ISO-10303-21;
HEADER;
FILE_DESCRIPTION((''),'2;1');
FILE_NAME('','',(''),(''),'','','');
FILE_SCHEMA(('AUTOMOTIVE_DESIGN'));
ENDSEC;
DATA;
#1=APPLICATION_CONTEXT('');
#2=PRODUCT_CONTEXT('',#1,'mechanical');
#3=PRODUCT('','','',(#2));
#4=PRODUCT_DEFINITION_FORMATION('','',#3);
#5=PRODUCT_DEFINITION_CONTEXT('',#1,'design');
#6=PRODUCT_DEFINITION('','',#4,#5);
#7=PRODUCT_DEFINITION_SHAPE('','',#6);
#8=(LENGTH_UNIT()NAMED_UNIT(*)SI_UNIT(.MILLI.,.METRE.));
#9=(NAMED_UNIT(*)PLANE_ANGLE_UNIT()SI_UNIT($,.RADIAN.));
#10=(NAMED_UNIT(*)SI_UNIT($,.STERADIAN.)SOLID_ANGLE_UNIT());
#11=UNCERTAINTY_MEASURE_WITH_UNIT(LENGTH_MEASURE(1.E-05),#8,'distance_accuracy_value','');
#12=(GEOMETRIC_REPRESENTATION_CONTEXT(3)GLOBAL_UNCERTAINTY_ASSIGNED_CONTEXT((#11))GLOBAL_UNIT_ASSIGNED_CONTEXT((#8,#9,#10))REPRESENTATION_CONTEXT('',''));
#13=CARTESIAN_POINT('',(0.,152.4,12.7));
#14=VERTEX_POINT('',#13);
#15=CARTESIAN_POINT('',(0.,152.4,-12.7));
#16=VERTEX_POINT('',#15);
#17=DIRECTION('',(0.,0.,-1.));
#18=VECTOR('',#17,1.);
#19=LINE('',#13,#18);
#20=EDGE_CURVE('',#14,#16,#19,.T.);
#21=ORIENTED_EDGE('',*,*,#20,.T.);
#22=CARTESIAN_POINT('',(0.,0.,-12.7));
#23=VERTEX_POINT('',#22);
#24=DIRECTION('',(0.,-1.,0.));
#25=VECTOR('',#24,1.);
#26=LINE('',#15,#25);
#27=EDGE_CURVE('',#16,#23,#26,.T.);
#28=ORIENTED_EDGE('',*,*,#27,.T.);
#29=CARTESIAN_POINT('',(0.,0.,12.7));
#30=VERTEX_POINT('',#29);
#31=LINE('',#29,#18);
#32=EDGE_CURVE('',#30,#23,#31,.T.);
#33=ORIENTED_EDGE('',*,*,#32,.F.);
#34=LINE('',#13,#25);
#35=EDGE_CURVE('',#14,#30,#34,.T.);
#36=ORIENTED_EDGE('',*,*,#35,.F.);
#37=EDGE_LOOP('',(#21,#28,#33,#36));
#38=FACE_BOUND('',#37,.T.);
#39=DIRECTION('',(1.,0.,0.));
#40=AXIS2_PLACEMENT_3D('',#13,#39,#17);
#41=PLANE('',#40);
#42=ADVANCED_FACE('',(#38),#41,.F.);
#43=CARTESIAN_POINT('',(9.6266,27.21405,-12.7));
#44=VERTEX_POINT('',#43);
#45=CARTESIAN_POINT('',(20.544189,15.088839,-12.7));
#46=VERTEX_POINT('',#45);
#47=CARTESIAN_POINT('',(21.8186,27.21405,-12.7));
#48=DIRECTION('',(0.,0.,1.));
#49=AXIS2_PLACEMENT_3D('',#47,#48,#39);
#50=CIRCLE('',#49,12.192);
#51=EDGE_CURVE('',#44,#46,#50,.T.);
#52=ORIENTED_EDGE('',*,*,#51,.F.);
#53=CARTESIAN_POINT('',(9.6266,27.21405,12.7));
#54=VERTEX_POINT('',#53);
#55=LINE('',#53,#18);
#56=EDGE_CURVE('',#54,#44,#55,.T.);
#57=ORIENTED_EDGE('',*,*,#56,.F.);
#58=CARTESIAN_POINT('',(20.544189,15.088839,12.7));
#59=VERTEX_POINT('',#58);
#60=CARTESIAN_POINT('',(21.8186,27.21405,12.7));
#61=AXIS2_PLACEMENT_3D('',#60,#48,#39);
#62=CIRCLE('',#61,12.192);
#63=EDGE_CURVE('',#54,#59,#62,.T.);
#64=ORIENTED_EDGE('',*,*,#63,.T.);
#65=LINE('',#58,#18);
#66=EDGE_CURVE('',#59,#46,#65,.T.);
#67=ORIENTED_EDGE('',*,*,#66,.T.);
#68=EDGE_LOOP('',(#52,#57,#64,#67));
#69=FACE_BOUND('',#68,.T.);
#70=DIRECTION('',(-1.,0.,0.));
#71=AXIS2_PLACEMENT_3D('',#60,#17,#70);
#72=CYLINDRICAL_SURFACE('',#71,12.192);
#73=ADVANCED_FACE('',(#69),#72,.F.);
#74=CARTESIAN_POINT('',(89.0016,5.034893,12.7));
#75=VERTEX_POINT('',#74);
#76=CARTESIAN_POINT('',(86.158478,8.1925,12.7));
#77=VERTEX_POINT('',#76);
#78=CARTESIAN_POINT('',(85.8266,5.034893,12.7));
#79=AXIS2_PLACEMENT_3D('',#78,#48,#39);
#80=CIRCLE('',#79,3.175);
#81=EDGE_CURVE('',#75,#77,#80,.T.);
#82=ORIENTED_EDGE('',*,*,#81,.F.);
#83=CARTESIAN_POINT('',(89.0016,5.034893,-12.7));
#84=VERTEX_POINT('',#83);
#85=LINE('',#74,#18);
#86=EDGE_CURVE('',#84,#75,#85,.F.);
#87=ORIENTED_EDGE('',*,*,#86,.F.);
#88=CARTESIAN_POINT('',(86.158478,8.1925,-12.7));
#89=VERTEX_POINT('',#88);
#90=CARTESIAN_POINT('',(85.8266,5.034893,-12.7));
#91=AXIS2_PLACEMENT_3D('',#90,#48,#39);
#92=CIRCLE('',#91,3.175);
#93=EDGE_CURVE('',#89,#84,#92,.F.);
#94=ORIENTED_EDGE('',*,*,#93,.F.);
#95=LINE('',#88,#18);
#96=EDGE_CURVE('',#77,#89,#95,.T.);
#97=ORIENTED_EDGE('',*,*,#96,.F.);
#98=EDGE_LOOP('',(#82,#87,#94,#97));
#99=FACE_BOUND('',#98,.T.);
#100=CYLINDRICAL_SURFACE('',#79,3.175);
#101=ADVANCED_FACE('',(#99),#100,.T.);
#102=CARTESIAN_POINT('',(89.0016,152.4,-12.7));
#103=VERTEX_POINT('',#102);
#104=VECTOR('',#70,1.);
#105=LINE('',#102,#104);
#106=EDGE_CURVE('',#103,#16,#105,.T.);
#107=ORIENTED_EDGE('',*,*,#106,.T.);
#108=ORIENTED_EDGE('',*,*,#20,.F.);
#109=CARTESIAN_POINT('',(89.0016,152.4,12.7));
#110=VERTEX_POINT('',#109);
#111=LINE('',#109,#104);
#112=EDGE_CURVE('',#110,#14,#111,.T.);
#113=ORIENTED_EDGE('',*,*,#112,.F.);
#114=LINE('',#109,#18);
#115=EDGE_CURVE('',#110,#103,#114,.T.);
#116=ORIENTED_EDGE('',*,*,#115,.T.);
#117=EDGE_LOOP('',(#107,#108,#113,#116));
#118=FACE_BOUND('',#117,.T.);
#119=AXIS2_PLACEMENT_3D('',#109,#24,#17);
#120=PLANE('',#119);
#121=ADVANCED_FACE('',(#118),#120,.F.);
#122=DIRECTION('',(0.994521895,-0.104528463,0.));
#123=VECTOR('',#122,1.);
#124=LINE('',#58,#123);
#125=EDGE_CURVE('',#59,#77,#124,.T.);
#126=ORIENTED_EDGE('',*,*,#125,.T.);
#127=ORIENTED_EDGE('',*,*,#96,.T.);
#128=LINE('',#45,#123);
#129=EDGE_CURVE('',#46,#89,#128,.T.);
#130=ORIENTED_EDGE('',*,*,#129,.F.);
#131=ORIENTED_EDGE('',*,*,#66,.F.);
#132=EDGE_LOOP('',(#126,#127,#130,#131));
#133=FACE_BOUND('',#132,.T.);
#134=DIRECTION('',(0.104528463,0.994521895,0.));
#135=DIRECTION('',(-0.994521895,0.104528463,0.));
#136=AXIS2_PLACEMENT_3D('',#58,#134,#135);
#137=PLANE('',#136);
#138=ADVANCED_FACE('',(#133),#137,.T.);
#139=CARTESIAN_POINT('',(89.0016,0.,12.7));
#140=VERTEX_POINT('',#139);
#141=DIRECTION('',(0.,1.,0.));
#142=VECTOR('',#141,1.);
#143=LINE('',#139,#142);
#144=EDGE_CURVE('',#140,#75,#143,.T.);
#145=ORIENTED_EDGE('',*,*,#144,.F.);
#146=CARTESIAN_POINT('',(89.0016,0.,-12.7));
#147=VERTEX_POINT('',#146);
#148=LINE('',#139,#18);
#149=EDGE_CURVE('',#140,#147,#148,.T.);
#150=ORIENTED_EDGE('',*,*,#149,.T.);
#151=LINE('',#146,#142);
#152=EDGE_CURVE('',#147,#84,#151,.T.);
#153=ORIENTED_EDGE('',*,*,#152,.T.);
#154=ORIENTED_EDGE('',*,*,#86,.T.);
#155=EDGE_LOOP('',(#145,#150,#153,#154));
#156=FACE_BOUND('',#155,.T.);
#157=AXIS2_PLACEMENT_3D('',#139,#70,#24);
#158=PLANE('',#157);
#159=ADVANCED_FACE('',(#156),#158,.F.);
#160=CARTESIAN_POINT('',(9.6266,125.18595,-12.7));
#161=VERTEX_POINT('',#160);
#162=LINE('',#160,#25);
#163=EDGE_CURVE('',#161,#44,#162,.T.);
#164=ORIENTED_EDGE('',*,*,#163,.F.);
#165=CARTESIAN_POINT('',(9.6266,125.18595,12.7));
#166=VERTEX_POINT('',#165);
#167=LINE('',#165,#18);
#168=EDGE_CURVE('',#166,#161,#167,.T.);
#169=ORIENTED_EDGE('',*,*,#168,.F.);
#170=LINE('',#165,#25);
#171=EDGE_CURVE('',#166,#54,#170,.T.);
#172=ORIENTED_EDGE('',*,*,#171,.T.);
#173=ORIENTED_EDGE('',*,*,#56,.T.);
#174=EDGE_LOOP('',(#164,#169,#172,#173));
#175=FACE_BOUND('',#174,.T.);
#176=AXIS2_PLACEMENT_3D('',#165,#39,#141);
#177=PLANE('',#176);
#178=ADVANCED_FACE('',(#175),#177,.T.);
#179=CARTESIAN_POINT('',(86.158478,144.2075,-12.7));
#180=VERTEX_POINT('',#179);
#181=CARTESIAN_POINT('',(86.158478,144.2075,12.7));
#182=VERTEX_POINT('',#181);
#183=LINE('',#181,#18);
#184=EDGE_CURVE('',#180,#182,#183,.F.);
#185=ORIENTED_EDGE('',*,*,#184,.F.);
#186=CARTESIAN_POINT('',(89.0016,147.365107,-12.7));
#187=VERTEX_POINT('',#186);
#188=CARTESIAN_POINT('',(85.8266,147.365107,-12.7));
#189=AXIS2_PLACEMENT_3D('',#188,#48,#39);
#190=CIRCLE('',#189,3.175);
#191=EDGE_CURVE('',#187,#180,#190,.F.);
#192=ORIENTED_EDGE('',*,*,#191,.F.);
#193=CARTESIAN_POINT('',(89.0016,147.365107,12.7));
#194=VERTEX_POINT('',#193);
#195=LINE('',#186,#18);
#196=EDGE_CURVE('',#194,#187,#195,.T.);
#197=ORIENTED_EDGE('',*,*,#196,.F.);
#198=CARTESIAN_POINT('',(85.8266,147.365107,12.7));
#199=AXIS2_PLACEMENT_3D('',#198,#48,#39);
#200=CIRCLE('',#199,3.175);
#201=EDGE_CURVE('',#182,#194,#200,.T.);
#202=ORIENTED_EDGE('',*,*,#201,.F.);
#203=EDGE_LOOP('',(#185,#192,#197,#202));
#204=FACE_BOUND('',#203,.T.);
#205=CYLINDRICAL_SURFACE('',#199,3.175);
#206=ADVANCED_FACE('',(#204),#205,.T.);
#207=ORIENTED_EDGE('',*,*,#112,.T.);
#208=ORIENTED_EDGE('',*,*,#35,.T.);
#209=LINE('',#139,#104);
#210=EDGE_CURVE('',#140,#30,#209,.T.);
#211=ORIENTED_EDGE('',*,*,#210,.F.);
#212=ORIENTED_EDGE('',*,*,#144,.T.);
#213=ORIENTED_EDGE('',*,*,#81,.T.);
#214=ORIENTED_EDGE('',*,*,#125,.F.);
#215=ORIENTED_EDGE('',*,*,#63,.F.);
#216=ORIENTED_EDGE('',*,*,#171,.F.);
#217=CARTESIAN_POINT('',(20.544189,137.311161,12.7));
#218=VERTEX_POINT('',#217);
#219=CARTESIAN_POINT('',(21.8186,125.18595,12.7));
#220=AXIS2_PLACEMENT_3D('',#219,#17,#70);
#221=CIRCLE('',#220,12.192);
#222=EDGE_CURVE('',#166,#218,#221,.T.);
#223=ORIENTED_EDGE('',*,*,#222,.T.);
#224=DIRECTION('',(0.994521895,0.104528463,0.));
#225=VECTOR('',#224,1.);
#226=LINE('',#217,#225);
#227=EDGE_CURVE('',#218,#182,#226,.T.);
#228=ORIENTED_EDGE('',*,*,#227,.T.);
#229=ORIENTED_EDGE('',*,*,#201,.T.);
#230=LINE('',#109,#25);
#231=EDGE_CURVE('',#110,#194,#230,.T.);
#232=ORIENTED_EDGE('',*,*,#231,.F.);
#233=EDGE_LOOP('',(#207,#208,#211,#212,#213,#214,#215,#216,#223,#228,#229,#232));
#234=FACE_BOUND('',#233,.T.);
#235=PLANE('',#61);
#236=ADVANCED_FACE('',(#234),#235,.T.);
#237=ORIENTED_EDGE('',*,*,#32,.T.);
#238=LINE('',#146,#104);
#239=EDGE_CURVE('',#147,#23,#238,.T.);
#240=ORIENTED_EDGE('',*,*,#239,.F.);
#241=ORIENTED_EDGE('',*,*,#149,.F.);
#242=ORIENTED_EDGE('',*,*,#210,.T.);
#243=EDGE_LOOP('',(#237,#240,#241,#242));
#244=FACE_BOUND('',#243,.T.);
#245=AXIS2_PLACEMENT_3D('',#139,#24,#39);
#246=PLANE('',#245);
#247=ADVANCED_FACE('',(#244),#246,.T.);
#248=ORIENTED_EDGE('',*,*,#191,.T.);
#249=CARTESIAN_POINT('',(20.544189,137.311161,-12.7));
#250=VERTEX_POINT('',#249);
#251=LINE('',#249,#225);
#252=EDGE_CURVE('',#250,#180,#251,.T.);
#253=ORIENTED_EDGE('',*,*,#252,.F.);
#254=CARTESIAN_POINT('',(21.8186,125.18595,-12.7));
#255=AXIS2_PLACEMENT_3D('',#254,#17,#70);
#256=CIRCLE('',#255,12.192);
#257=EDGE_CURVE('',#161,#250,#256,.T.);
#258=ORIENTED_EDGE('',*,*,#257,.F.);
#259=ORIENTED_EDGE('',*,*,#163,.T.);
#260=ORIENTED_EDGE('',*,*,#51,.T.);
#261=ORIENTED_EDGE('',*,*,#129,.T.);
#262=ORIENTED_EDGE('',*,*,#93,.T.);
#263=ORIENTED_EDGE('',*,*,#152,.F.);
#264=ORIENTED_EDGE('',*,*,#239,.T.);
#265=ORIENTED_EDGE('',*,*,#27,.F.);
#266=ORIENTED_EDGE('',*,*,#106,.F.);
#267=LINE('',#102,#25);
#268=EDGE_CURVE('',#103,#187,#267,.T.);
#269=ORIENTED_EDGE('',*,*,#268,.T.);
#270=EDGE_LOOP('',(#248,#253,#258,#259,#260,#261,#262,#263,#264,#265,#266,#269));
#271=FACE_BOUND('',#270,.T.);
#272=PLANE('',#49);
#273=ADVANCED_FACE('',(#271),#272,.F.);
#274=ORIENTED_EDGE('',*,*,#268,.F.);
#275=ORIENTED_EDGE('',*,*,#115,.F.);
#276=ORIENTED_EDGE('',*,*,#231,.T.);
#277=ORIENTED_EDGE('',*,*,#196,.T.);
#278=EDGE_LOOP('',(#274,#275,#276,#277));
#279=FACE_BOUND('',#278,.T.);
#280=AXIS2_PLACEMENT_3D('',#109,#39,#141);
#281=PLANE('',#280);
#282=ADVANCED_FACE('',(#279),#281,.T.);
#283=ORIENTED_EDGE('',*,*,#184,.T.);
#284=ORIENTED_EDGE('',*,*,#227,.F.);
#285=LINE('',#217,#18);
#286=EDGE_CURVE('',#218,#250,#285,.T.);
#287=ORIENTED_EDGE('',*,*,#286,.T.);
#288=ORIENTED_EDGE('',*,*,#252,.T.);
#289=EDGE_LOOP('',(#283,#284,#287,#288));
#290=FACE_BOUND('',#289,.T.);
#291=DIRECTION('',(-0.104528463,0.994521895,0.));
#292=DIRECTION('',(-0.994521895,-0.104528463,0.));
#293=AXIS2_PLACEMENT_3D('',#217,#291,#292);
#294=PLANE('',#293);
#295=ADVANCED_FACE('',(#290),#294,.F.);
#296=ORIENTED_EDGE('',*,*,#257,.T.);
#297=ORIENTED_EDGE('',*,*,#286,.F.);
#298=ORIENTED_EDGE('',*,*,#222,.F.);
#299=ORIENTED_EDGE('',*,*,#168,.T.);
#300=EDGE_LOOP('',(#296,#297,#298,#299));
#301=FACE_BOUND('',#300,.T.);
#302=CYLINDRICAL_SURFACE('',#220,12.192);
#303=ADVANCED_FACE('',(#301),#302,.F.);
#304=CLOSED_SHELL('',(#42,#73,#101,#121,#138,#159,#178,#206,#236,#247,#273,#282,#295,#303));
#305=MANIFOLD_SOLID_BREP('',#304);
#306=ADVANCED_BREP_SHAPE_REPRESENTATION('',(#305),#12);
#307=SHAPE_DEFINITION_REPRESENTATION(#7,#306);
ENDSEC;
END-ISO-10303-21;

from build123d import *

# Parameters (mm, degrees)
BASEMCHANNEL_DEPTH = 12.7
TOEFILLET_R        = 3.175


with BuildPart() as part:
    # Sketch1 → BaseMchannel (new body, symmetric)
    with BuildSketch(Plane.XY):
        with BuildLine():
            Line((89.0016, 152.4), (0, 152.4))
            Line((0, 152.4), (0, 0))
            Line((0, 0), (89.0016, 0))
            Line((89.0016, 0), (89.0016, 7.893675663))
            Line((89.0016, 7.893675663), (20.544188976, 15.088839497))
            ThreePointArc((20.544188976, 15.088839497), (12.758178288, 19.056010093), (9.6266, 27.214050446))
            Line((9.6266, 27.214050446), (9.6266, 125.185949554))
            ThreePointArc((9.6266, 125.185949554), (12.758178288, 133.343989907), (20.544188976, 137.311160503))
            Line((20.544188976, 137.311160503), (89.0016, 144.506324337))
            Line((89.0016, 144.506324337), (89.0016, 152.4))
        make_face()
    extrude(amount=BASEMCHANNEL_DEPTH, both=True)

    # ToeFillet
    toefillet_edges = [part.edges().sort_by_distance(p)[0] for p in [
        (89.0016, 144.506324337, 0),
        (89.0016, 7.893675663, 0),
    ]]
    fillet(toefillet_edges, radius=TOEFILLET_R)


solid = part.part
